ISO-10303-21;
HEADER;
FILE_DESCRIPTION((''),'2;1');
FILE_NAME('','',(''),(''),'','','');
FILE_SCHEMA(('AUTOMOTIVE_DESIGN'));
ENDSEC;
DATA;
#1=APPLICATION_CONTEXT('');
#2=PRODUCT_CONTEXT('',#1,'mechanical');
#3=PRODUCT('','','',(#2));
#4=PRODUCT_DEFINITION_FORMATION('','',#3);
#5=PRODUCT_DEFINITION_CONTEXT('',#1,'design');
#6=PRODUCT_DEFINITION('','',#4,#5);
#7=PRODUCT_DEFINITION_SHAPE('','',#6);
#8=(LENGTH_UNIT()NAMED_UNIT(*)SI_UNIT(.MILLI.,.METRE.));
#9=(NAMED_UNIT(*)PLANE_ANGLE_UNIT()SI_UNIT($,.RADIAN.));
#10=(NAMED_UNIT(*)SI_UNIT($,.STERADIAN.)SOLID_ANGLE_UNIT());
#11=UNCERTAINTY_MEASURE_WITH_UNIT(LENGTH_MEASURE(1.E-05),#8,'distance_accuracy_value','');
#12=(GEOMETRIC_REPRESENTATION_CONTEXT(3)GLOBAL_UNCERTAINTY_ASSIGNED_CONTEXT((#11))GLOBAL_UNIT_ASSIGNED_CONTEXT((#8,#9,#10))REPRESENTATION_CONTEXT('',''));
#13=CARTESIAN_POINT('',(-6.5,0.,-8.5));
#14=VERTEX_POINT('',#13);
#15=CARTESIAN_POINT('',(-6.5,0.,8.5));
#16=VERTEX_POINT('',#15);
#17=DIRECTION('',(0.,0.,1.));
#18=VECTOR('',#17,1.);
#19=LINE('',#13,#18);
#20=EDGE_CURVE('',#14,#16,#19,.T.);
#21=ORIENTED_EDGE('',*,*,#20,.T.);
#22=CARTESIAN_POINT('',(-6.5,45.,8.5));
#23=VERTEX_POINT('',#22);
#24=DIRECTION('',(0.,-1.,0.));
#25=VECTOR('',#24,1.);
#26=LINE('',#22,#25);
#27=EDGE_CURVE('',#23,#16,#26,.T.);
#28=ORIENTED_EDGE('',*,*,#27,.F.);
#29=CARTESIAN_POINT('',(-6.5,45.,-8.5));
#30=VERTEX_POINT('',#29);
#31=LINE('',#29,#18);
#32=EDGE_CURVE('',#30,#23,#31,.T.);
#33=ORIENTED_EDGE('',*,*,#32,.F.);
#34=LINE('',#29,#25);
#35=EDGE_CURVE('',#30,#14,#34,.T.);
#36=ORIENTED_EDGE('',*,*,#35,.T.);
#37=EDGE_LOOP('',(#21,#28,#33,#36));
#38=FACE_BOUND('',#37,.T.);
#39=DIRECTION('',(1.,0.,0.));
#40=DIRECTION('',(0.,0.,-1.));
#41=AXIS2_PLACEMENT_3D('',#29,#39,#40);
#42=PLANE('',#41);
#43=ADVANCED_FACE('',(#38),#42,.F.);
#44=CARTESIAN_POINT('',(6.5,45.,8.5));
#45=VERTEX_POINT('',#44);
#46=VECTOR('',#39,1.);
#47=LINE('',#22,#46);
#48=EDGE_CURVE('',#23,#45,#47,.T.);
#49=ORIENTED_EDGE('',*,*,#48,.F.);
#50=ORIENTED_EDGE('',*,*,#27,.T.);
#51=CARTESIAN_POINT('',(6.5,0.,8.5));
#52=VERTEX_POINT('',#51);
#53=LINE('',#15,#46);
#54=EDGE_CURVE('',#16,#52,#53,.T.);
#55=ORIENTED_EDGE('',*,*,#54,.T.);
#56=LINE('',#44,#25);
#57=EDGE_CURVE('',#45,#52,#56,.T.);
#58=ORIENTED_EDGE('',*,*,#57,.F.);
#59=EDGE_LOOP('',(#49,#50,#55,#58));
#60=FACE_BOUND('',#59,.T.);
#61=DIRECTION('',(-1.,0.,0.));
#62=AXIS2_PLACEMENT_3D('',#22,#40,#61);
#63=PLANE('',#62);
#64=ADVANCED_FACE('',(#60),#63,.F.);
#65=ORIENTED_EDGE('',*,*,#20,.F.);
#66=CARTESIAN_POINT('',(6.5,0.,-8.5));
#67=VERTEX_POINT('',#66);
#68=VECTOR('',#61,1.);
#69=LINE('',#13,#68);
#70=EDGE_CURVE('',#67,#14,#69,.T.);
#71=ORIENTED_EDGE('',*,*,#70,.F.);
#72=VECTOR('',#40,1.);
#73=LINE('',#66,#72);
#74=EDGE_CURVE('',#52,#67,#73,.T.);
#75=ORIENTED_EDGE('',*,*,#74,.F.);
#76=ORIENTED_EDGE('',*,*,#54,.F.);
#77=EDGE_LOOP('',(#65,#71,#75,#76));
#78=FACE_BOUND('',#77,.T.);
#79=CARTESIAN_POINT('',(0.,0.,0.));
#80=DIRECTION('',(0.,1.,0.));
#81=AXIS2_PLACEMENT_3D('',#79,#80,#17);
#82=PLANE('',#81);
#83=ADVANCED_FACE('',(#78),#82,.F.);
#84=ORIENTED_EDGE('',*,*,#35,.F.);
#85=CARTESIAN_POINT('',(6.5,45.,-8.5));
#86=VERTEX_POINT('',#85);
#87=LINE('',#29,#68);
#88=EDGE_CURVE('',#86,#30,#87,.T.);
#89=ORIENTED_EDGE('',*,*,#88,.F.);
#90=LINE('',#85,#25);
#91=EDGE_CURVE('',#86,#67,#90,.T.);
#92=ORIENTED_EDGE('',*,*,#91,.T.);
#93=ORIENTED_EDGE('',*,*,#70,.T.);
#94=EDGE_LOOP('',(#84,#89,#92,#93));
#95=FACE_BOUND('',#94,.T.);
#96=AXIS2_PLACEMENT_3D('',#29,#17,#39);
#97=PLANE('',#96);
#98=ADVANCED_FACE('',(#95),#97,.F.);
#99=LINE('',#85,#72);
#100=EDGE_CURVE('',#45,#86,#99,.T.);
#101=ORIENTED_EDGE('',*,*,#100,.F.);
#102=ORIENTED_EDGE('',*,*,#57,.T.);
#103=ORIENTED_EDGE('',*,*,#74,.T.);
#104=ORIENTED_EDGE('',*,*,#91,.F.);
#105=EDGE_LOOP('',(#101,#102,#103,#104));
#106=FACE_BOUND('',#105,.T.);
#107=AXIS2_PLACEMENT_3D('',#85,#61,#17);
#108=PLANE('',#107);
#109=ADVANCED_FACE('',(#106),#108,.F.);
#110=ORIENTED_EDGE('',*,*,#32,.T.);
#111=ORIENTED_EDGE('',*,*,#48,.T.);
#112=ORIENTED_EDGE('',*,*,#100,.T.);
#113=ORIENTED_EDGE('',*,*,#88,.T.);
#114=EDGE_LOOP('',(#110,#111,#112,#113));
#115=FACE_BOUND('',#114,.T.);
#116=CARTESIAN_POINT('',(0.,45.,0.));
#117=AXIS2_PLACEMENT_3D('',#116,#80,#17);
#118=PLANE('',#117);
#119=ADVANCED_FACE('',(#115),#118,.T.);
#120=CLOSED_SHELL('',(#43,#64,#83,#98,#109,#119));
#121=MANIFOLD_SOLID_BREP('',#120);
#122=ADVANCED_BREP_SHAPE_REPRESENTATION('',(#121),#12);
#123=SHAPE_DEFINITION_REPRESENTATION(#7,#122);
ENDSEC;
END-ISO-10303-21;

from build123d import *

# Parameters (mm, degrees)
SKETCH1_W           = 13
SKETCH1_H           = 17
BOSS_EXTRUDE1_DEPTH = 45


with BuildPart() as part:
    # Sketch1 → Boss-Extrude1 (new body)
    with BuildSketch(Plane(origin=(0, 0, 0), x_dir=(1, 0, 0), z_dir=(0, 1, 0))):
        Rectangle(SKETCH1_W, SKETCH1_H)
    extrude(amount=BOSS_EXTRUDE1_DEPTH)


solid = part.part
